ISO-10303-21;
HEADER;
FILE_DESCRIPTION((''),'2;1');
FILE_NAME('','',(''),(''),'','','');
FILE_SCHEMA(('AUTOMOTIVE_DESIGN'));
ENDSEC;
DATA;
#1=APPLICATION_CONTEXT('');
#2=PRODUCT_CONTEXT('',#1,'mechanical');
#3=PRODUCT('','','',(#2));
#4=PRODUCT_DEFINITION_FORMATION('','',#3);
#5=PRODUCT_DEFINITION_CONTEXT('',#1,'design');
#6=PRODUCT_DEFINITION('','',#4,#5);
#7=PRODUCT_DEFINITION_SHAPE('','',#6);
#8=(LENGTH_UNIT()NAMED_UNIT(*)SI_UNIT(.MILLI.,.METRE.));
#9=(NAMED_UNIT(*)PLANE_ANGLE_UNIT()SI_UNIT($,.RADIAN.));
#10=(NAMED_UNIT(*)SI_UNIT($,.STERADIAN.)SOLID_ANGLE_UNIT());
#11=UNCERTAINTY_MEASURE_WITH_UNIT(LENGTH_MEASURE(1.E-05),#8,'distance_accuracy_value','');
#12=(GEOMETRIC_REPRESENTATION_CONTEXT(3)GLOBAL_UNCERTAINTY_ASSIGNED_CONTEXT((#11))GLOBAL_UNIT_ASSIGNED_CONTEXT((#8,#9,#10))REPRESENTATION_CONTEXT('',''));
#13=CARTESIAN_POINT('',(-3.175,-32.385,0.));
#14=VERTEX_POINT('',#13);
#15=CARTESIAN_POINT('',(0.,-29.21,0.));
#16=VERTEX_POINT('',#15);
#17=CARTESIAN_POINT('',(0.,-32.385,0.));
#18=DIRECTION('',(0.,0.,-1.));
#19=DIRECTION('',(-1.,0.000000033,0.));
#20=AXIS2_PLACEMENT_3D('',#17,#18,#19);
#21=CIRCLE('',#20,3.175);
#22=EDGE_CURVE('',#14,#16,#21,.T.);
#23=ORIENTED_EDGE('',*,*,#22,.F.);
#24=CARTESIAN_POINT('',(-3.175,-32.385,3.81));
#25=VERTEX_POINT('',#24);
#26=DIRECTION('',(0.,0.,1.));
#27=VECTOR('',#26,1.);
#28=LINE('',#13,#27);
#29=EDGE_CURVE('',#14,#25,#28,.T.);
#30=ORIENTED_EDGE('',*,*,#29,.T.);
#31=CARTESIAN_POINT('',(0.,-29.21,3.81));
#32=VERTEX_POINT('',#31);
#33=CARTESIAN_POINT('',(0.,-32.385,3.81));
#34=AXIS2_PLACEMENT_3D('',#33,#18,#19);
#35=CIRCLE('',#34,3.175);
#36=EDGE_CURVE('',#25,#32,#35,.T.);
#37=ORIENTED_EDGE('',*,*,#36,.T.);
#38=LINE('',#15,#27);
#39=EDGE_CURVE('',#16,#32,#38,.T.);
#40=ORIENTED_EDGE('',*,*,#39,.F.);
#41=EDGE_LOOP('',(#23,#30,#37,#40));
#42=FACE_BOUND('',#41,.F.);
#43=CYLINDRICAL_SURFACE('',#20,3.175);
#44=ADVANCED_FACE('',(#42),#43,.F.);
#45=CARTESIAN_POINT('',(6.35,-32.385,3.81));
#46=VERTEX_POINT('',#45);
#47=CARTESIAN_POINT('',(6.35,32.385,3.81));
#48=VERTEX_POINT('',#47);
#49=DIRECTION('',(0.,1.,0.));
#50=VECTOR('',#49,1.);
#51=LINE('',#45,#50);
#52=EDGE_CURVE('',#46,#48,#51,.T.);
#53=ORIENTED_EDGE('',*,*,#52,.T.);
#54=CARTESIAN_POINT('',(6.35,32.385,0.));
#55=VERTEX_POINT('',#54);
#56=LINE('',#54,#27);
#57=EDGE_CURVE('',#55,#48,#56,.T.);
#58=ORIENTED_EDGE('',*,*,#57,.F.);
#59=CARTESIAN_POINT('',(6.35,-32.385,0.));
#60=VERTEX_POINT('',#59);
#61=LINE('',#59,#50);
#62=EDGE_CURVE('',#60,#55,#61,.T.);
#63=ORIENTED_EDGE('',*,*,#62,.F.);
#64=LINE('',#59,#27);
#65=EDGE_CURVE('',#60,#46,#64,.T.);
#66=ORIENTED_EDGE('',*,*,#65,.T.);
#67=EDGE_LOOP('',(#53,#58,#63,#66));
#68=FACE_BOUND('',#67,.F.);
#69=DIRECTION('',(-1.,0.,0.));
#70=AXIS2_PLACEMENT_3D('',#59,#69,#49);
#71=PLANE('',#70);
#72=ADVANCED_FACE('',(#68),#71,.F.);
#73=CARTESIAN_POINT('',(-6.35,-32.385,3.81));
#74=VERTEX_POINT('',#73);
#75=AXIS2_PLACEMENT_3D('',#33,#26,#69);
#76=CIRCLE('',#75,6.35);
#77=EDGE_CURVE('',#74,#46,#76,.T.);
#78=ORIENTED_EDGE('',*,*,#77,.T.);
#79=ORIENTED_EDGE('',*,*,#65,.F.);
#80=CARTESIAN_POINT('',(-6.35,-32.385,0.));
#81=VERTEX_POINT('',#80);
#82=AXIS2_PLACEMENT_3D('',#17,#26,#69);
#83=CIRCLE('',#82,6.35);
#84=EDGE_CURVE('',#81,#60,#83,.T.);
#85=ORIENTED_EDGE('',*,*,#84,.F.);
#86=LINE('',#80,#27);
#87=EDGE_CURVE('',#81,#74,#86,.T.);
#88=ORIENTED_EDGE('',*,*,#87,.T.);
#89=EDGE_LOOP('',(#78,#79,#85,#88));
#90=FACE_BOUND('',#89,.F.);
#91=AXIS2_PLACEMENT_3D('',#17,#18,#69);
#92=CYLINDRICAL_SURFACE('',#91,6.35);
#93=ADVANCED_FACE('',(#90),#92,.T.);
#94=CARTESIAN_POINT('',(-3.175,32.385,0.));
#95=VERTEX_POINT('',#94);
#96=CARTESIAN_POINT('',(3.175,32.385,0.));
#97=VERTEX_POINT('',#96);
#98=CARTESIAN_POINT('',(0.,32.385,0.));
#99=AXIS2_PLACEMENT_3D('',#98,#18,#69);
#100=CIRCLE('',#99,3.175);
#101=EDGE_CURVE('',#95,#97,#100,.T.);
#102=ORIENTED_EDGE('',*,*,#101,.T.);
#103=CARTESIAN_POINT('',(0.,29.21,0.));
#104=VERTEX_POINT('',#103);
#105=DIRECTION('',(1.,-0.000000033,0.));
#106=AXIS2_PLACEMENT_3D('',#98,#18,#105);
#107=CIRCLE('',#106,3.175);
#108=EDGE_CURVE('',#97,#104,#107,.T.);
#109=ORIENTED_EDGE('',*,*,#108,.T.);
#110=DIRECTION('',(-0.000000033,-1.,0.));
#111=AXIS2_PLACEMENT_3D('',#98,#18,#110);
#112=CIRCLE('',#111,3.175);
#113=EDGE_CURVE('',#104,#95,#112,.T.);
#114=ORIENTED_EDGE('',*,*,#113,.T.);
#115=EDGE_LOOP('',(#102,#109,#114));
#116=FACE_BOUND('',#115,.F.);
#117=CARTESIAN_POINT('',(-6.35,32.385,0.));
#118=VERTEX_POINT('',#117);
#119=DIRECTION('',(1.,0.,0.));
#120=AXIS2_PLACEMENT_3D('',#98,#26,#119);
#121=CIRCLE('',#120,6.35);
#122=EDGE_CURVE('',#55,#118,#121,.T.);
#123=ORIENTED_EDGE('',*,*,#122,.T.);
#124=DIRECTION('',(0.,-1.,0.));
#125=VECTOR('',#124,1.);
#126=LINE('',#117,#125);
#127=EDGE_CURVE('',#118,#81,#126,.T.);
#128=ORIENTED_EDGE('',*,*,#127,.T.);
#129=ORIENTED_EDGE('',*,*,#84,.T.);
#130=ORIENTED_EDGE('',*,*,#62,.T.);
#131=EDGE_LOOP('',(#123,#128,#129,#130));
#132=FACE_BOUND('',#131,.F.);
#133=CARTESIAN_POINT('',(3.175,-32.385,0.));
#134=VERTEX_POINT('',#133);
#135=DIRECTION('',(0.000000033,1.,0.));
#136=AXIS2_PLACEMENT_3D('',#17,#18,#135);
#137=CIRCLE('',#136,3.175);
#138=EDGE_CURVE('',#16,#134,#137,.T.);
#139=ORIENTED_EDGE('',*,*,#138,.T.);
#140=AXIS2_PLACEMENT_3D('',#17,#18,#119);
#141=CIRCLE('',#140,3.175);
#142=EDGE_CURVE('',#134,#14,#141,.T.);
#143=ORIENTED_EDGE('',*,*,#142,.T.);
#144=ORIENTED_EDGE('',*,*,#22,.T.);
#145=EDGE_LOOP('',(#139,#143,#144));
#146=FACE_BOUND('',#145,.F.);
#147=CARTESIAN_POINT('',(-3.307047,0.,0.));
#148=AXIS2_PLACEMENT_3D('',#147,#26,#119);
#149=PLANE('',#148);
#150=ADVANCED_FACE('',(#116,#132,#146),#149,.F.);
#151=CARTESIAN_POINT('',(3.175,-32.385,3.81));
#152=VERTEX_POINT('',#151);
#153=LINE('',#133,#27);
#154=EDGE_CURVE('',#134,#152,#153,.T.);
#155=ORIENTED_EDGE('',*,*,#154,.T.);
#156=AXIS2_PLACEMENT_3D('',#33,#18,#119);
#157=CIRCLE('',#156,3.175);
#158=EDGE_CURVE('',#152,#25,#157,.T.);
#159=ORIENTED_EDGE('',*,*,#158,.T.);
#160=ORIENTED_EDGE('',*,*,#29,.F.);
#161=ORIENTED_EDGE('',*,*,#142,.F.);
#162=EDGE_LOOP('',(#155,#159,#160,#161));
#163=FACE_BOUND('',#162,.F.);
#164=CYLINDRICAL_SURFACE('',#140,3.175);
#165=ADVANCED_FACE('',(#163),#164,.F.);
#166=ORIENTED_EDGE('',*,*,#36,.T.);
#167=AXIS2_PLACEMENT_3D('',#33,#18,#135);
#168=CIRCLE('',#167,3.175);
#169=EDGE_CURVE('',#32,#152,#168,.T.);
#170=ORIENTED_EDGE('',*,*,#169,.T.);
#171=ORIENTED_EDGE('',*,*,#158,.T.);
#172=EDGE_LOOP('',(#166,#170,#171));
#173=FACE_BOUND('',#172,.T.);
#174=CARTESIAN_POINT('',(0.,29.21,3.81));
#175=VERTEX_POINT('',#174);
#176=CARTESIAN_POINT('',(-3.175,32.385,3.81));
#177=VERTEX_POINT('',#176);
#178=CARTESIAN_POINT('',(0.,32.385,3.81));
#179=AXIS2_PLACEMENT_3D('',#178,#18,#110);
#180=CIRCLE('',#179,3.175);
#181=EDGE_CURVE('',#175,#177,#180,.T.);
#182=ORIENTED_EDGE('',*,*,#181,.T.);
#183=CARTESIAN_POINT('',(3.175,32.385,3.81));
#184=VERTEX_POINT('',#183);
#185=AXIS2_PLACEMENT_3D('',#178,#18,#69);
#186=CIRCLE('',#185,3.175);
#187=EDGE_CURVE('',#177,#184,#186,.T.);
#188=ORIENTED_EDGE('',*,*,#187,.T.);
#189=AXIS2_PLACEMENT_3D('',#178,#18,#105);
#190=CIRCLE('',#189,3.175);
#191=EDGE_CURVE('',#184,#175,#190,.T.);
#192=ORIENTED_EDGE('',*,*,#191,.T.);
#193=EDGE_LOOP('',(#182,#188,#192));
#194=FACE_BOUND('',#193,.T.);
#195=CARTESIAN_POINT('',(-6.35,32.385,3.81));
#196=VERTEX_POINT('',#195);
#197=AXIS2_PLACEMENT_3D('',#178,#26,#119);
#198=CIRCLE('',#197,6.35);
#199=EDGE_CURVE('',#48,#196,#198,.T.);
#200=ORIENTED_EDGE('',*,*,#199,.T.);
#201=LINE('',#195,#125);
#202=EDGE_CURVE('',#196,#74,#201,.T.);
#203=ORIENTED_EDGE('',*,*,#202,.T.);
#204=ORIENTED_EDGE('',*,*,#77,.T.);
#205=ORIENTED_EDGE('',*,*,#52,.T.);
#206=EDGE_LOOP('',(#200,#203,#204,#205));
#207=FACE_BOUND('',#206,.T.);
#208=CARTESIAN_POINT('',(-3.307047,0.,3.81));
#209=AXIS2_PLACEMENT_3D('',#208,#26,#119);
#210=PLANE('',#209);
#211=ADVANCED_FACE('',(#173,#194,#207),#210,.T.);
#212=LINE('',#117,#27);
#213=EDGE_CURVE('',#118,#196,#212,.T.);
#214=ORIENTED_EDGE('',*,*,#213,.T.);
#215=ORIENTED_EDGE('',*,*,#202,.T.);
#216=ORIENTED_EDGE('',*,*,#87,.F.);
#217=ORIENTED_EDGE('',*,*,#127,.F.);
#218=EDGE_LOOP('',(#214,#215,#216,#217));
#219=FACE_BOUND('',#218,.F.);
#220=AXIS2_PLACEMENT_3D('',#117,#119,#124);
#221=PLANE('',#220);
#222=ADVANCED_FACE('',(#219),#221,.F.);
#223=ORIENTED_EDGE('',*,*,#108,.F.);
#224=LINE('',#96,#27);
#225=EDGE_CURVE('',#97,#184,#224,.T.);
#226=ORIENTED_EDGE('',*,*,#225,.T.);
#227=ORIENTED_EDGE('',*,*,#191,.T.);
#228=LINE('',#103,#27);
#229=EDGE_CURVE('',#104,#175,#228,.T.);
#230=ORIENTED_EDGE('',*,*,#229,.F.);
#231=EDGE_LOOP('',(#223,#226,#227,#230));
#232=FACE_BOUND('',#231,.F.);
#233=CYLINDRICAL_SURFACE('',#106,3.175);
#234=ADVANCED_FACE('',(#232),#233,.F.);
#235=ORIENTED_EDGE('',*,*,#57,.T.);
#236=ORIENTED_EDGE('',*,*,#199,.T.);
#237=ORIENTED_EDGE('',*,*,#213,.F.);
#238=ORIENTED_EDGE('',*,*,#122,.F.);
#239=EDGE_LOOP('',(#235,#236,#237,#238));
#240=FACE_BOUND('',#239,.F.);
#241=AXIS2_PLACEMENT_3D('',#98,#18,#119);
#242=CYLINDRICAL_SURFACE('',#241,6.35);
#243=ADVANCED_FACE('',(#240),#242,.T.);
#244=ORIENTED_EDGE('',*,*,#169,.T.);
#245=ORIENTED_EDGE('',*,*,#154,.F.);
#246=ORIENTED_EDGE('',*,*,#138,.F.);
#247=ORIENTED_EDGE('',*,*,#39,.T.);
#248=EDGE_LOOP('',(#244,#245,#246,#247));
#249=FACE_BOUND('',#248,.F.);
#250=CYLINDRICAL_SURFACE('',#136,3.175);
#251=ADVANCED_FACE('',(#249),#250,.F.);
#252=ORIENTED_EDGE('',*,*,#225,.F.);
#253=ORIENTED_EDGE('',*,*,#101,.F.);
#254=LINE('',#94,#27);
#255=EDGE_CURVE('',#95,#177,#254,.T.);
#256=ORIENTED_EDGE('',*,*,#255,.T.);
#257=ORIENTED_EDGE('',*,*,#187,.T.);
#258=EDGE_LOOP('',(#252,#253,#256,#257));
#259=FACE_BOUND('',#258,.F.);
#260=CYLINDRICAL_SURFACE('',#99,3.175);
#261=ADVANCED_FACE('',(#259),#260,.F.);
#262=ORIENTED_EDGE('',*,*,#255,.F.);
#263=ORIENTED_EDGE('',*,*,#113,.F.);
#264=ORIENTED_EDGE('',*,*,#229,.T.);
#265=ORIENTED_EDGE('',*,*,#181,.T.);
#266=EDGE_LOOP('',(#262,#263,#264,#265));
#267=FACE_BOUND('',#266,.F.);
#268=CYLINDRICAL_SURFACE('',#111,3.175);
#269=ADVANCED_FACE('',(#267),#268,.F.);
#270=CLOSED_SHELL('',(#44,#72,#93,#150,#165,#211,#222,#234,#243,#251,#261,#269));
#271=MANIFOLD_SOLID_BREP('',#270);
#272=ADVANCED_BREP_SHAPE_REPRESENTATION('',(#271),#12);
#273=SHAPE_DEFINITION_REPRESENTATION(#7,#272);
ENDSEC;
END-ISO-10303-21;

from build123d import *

# Parameters (mm, degrees)
F1_DEPTH = 3.81


with BuildPart() as f1:
    # F0 (on Top) → F1 (new body)
    with BuildSketch(Plane.XY):
        with BuildLine():
            Line((0, 0), (0, 29.21))
            ThreePointArc((0, 29.21), (-2.245064, 30.139936), (-3.175, 32.385))
            Line((-3.175, 32.385), (-6.35, 32.385))
            Line((-6.35, 32.385), (-6.35, -32.385))
            Line((-6.35, -32.385), (-3.175, -32.385))
            ThreePointArc((-3.175, -32.385), (-2.245064, -30.139936), (0, -29.21))
            Line((0, -29.21), (0, 0))
        make_face()
        with BuildLine():
            ThreePointArc((3.175, 32.385), (2.245064, 30.139936), (0, 29.21))
            Line((0, 29.21), (0, 0))
            Line((0, 0), (0, -29.21))
            ThreePointArc((0, -29.21), (2.245064, -30.139936), (3.175, -32.385))
            Line((3.175, -32.385), (6.35, -32.385))
            Line((6.35, -32.385), (6.35, 32.385))
            Line((6.35, 32.385), (3.175, 32.385))
        make_face()
        with BuildLine():
            ThreePointArc((-3.175, 32.385), (0, 35.56), (3.175, 32.385))
            Line((3.175, 32.385), (6.35, 32.385))
            ThreePointArc((6.35, 32.385), (0, 38.735), (-6.35, 32.385))
            Line((-6.35, 32.385), (-3.175, 32.385))
        make_face()
        with BuildLine():
            ThreePointArc((-6.35, -32.385), (0, -38.735), (6.35, -32.385))
            Line((6.35, -32.385), (3.175, -32.385))
            ThreePointArc((3.175, -32.385), (0, -35.56), (-3.175, -32.385))
            Line((-3.175, -32.385), (-6.35, -32.385))
        make_face()
    extrude(amount=F1_DEPTH)


solid = f1.part
